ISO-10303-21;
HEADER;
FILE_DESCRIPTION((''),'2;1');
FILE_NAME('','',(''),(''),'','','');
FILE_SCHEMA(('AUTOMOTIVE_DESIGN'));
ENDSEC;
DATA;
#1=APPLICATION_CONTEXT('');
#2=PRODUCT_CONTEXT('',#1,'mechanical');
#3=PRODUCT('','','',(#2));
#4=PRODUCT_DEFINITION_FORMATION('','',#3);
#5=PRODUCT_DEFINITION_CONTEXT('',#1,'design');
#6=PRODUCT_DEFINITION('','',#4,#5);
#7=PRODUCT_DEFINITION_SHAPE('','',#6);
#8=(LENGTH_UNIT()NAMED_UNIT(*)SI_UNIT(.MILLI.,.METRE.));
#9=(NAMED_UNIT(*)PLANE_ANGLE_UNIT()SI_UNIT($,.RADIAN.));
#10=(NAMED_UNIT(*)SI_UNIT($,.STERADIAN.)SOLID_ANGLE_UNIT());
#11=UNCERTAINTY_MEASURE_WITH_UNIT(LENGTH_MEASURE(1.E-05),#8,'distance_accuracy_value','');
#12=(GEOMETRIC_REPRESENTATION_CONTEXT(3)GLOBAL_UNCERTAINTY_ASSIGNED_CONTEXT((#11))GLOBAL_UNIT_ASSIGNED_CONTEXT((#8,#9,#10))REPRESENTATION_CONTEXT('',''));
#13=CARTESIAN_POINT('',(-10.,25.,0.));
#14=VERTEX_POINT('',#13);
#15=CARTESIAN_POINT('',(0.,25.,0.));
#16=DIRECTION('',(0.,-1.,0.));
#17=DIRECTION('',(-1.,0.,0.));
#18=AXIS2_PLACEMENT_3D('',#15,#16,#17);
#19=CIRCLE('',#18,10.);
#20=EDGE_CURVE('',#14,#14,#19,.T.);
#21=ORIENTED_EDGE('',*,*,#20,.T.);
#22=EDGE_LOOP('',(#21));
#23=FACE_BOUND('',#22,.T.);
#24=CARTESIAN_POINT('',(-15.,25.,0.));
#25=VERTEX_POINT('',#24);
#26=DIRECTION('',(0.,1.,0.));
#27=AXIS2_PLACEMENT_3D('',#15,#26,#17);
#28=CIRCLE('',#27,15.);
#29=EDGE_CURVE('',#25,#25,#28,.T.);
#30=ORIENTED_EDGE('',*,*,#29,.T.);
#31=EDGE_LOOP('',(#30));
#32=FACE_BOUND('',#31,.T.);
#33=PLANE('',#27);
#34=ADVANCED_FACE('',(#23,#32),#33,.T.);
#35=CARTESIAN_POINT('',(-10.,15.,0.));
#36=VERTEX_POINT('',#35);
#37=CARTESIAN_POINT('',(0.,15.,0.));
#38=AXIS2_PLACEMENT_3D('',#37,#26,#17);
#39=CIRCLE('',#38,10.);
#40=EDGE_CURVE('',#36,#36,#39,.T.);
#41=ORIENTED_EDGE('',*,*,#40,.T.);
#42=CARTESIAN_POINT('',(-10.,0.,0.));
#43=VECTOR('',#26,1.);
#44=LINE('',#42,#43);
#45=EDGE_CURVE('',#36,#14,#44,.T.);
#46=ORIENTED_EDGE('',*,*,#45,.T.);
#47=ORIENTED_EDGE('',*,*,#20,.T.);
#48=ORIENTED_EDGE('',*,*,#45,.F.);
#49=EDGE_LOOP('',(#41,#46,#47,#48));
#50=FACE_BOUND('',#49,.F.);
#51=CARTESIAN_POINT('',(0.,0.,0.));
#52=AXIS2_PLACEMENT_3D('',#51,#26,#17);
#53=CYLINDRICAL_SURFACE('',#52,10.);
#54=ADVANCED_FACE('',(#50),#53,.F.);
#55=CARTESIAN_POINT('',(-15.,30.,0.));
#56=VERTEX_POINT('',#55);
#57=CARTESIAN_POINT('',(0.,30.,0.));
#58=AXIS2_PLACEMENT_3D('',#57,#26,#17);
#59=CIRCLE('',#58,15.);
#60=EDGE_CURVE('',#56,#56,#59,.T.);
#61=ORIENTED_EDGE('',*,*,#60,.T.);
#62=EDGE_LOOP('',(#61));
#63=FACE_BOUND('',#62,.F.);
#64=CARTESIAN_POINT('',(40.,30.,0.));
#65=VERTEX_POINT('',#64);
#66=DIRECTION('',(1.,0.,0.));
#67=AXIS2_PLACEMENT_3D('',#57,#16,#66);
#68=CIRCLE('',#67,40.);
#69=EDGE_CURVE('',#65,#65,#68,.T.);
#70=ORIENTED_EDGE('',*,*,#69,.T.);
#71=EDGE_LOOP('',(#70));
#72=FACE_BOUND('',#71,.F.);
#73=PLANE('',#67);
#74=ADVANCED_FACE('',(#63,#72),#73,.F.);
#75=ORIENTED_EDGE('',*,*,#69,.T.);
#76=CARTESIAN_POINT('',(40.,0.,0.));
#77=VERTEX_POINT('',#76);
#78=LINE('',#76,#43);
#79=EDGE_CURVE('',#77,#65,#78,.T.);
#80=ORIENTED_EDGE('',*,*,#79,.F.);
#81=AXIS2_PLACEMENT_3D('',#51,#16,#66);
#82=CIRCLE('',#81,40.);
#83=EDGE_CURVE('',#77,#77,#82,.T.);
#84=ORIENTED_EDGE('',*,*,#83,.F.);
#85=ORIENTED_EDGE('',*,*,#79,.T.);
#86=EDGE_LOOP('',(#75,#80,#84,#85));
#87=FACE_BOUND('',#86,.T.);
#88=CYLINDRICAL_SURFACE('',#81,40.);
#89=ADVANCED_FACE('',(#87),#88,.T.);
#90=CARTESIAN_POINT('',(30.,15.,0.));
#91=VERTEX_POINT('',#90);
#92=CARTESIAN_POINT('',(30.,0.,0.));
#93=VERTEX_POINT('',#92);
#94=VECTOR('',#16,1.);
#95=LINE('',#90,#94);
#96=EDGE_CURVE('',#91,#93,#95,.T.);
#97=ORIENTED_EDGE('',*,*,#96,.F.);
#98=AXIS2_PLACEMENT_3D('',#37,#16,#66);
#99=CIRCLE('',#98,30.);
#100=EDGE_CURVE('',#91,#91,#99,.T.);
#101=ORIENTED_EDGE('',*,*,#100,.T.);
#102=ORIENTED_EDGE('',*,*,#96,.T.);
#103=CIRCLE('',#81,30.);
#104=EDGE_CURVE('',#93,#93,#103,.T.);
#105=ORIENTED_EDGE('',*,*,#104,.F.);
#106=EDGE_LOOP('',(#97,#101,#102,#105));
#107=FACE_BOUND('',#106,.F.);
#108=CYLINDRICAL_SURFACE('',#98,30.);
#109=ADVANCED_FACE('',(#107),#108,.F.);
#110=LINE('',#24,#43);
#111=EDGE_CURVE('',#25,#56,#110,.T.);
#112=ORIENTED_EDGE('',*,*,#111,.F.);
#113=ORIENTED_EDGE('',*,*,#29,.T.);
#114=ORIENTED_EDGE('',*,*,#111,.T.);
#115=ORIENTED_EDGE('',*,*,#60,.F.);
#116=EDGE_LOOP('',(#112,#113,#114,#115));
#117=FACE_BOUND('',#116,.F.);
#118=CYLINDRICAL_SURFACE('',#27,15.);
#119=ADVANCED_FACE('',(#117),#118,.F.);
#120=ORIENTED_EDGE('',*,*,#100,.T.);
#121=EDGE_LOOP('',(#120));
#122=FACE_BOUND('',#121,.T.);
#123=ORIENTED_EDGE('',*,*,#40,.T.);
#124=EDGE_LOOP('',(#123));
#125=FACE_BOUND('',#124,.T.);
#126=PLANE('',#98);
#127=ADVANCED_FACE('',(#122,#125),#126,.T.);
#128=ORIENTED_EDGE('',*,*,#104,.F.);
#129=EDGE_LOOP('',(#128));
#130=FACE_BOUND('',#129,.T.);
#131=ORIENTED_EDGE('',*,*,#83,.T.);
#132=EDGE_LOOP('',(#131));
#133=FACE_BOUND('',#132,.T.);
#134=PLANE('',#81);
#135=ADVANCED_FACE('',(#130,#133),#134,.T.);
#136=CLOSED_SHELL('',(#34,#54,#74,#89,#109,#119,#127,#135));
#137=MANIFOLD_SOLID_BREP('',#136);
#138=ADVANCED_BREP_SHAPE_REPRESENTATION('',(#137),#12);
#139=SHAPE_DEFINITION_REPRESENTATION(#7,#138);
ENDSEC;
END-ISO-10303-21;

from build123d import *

# Parameters (mm, degrees)
F0_R           = 40
F1_DEPTH       = 30
F2_D           = 20
F2_CBORE_D     = 60
F2_CBORE_DEPTH = 15
F4_D           = 20
F4_DEPTH       = 50
F4_CBORE_D     = 30
F4_CBORE_DEPTH = 5


with BuildPart() as f1:
    # F0 (on Front) → F1 (new body)
    with BuildSketch(Plane.XZ):
        Circle(F0_R)
    extrude(amount=-F1_DEPTH)

    # F2 (through all)
    with Locations(Plane.XZ):
        with Locations((0, 0)):
            CounterBoreHole(F2_D / 2, F2_CBORE_D / 2, F2_CBORE_DEPTH)

    # F4
    with Locations(Plane(origin=(0, 30, 0), x_dir=(-1, 0, 0), z_dir=(0, 1, 0))):
        with Locations((0, 0)):
            CounterBoreHole(F4_D / 2, F4_CBORE_D / 2, F4_CBORE_DEPTH, depth=F4_DEPTH)


solid = f1.part
